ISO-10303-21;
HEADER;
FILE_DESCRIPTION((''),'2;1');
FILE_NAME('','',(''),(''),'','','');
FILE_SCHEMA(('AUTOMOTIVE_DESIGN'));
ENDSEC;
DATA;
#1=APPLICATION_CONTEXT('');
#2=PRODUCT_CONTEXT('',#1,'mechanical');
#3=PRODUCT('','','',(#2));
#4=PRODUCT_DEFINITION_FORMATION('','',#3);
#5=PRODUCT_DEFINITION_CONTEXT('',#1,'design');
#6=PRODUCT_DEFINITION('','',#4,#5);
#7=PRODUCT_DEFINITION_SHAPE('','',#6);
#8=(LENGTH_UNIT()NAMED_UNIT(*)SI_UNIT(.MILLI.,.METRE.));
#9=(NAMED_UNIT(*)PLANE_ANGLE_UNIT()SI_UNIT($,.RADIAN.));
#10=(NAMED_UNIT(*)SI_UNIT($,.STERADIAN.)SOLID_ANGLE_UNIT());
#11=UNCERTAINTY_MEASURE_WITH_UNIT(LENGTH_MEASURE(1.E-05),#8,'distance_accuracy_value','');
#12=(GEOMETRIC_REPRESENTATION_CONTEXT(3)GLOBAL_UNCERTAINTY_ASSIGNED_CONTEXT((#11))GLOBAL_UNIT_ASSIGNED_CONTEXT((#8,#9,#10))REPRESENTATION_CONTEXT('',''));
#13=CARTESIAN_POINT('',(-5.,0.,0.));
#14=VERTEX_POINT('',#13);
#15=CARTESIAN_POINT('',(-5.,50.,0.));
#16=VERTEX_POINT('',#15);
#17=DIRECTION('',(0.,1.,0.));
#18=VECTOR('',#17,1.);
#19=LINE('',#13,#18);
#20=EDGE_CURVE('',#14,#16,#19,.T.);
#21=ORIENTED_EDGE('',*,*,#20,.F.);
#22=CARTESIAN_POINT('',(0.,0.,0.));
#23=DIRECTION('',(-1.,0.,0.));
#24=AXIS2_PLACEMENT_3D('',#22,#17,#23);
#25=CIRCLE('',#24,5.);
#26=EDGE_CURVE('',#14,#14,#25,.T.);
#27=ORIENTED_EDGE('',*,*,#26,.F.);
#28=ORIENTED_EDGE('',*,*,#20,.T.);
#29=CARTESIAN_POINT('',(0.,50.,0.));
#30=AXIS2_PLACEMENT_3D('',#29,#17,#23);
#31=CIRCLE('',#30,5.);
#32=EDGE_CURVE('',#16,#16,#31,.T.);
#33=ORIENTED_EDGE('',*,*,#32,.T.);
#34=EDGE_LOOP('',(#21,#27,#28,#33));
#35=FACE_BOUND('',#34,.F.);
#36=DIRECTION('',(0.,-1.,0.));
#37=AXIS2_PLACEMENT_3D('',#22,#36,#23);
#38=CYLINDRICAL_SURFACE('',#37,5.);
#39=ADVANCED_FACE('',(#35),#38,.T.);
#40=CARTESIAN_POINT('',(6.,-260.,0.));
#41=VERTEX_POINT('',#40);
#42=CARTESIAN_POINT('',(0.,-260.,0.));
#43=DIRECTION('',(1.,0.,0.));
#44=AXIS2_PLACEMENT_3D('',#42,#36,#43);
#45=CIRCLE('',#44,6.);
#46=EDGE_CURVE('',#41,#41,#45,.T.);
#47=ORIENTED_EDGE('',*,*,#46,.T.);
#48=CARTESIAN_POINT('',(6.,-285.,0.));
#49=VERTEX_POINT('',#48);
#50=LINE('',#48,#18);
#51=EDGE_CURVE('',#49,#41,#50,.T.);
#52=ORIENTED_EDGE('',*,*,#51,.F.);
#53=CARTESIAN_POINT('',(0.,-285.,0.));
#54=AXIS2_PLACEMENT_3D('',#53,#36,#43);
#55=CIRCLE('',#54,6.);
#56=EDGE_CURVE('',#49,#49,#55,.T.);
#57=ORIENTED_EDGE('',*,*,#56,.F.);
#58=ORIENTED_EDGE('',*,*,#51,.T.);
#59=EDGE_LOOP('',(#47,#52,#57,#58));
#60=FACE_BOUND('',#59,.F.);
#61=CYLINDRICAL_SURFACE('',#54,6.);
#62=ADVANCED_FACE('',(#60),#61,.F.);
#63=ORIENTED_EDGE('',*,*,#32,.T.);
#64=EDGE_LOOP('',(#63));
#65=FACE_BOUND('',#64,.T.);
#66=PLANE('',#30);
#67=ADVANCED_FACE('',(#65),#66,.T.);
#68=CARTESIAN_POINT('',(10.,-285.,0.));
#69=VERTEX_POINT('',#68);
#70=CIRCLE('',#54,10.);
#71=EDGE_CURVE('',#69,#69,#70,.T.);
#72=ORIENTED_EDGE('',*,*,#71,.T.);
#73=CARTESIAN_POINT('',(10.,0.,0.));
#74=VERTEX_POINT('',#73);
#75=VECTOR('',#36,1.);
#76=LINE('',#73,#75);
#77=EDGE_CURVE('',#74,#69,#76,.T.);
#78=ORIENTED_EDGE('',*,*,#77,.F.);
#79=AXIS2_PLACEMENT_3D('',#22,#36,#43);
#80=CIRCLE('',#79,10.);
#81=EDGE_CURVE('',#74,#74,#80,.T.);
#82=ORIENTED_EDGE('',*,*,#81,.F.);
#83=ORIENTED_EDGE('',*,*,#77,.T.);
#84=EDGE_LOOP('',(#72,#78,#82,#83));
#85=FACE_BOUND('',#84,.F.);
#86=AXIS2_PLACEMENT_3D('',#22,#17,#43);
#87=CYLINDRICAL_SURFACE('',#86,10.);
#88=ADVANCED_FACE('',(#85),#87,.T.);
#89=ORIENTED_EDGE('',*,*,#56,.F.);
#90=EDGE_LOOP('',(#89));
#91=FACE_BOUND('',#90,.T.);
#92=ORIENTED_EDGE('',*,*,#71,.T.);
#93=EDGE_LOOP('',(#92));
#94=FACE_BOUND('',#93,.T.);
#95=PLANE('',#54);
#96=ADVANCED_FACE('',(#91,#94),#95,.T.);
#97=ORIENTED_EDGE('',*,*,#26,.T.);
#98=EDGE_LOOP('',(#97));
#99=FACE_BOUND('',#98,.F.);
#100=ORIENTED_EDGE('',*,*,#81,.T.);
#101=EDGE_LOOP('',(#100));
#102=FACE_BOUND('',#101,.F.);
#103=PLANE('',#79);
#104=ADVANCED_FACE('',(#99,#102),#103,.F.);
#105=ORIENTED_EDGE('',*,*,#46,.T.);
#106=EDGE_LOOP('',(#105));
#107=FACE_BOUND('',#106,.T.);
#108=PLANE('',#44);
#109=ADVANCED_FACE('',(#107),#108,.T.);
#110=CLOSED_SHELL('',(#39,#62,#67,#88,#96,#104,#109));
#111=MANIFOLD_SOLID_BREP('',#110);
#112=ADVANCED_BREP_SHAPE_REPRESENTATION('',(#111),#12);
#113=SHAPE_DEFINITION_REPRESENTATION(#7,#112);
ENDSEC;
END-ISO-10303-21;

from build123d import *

# Parameters (mm, degrees)
F0_R     = 10
F1_DEPTH = 285
F2_R     = 6
F3_DEPTH = 25
F4_R     = 5
F5_DEPTH = 50


with BuildPart() as f1:
    # F0 (on Front) → F1 (new body)
    with BuildSketch(Plane.XZ):
        Circle(F0_R)
    extrude(amount=F1_DEPTH)

    # F2 (on face) → F3 (cut)
    with BuildSketch(Plane.XZ.offset(285)):
        Circle(F2_R)
    extrude(amount=-F3_DEPTH, mode=Mode.SUBTRACT)

    # F4 (on face) → F5 (join)
    with BuildSketch(Plane(origin=(0, 0, 0), x_dir=(-1, 0, 0), z_dir=(0, 1, 0))):
        Circle(F4_R)
    extrude(amount=F5_DEPTH)


solid = f1.part
